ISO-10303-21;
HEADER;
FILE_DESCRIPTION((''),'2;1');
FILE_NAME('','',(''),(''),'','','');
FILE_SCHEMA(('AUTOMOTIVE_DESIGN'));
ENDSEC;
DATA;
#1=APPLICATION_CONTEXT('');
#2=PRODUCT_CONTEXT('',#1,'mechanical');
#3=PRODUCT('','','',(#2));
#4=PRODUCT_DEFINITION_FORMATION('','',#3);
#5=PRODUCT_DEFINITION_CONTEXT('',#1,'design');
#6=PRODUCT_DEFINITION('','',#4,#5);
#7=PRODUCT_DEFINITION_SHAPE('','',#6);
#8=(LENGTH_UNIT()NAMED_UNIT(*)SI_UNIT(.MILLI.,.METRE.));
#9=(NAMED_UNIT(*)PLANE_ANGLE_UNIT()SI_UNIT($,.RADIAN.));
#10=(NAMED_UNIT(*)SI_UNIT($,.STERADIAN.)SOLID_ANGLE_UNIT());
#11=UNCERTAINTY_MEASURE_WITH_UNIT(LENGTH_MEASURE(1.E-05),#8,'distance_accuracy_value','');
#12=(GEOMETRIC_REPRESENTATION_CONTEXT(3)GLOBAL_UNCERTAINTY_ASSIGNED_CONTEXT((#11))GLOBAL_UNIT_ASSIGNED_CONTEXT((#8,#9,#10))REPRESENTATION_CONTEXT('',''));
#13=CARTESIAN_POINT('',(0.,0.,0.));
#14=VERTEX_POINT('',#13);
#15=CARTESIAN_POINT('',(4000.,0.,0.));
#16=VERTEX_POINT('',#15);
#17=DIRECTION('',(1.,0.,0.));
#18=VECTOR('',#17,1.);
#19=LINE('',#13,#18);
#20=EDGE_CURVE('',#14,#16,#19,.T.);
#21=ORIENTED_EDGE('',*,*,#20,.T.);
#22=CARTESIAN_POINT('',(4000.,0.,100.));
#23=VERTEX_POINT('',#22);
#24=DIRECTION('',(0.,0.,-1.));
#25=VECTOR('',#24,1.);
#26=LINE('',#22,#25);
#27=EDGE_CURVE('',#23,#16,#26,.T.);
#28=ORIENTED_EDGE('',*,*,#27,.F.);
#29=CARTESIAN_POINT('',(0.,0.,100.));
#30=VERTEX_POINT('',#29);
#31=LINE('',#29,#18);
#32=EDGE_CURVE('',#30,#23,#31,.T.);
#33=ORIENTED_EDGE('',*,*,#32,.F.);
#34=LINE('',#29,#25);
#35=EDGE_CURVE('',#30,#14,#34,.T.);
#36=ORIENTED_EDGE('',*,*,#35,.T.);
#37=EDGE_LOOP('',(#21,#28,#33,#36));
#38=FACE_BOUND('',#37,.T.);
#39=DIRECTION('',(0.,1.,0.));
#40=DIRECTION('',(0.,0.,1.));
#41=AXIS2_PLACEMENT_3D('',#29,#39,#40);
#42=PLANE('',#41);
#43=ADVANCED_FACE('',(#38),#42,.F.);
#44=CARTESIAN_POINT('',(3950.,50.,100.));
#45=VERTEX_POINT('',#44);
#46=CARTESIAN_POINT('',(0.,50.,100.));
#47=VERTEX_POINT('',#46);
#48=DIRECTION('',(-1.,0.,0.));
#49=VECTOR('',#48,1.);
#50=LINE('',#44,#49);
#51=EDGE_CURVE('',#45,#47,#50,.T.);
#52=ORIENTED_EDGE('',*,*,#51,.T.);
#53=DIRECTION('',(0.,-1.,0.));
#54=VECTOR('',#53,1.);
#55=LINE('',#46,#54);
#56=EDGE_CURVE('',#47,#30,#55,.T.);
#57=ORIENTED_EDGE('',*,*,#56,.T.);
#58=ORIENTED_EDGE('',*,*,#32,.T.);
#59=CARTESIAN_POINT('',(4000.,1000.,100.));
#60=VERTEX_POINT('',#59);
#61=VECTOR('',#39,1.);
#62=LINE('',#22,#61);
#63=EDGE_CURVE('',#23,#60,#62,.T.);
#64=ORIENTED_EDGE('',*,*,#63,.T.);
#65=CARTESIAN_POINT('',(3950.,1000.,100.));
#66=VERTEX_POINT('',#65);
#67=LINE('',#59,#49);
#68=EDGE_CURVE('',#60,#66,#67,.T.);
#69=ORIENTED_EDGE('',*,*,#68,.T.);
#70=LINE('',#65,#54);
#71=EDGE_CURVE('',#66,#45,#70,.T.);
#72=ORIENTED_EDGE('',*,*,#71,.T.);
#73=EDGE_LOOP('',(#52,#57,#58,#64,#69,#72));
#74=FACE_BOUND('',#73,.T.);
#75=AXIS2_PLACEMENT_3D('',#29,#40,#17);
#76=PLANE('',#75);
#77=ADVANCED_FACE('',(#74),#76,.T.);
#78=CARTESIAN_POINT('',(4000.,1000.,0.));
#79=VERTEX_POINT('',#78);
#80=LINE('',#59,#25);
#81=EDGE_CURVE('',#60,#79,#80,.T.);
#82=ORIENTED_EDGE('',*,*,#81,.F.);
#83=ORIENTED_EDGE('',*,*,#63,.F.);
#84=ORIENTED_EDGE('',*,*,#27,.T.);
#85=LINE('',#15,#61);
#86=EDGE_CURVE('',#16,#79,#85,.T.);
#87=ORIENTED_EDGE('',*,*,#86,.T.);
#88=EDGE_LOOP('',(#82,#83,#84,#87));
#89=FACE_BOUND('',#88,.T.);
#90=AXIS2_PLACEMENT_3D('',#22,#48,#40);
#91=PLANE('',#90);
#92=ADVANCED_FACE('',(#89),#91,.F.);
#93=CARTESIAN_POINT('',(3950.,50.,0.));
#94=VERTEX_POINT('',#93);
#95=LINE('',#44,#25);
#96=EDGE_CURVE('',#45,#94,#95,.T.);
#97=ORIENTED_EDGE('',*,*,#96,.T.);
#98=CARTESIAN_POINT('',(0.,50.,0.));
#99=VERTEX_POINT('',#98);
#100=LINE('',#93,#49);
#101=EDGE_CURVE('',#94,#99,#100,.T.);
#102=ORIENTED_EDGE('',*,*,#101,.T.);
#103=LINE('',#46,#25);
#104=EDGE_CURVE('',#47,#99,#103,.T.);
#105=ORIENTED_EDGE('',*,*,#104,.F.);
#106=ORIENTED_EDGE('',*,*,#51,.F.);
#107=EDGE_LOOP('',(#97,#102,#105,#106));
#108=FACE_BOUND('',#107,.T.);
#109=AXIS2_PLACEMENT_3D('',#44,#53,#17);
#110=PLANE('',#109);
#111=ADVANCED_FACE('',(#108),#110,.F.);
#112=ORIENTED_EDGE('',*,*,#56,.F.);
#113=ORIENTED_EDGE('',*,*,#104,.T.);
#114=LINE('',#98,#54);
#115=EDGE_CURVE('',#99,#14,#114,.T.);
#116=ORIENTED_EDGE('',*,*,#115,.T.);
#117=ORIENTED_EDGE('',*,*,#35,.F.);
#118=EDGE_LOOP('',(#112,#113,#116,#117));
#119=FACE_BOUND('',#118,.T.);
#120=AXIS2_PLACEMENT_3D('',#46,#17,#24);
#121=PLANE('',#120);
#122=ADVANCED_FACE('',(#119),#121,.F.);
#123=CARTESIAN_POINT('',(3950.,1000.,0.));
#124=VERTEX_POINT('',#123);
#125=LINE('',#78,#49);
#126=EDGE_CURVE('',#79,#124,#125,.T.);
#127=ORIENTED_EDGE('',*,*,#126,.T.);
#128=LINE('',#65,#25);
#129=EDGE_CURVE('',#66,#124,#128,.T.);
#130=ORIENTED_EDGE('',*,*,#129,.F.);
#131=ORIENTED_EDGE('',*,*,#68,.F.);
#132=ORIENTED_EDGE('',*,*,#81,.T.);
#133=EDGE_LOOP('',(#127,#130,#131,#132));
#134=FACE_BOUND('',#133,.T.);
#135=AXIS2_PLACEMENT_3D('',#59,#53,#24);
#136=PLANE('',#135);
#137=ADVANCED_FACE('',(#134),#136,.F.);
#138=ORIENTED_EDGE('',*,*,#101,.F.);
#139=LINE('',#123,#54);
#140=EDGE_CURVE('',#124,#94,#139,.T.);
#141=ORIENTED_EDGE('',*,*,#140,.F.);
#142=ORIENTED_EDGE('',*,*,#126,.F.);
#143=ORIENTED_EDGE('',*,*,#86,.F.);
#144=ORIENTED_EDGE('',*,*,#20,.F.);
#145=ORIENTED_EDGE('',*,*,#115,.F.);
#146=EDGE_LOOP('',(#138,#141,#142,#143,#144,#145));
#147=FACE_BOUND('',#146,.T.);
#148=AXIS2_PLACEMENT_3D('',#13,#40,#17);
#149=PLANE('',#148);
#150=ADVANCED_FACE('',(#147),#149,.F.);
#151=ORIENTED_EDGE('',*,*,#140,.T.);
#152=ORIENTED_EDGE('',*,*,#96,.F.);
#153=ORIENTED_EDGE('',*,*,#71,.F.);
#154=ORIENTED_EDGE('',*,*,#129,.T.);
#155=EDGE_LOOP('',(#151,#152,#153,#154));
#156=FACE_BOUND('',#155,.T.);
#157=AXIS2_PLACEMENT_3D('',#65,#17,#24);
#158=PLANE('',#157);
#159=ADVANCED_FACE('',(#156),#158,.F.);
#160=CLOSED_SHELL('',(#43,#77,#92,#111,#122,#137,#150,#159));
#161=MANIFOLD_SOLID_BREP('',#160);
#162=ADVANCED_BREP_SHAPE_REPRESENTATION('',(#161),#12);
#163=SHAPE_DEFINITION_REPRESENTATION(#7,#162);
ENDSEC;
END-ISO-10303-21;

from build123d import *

# Parameters (mm, degrees)
EXTRUDE_1_DEPTH = 100


with BuildPart() as part:
    # 草图1 → 凸台-拉伸1 (new body)
    with BuildSketch(Plane.XY):
        Polygon((0, 0), (4000, 0), (4000, 1000), (3950, 1000), (3950, 50), (0, 50), align=None)
    extrude(amount=EXTRUDE_1_DEPTH)


solid = part.part
